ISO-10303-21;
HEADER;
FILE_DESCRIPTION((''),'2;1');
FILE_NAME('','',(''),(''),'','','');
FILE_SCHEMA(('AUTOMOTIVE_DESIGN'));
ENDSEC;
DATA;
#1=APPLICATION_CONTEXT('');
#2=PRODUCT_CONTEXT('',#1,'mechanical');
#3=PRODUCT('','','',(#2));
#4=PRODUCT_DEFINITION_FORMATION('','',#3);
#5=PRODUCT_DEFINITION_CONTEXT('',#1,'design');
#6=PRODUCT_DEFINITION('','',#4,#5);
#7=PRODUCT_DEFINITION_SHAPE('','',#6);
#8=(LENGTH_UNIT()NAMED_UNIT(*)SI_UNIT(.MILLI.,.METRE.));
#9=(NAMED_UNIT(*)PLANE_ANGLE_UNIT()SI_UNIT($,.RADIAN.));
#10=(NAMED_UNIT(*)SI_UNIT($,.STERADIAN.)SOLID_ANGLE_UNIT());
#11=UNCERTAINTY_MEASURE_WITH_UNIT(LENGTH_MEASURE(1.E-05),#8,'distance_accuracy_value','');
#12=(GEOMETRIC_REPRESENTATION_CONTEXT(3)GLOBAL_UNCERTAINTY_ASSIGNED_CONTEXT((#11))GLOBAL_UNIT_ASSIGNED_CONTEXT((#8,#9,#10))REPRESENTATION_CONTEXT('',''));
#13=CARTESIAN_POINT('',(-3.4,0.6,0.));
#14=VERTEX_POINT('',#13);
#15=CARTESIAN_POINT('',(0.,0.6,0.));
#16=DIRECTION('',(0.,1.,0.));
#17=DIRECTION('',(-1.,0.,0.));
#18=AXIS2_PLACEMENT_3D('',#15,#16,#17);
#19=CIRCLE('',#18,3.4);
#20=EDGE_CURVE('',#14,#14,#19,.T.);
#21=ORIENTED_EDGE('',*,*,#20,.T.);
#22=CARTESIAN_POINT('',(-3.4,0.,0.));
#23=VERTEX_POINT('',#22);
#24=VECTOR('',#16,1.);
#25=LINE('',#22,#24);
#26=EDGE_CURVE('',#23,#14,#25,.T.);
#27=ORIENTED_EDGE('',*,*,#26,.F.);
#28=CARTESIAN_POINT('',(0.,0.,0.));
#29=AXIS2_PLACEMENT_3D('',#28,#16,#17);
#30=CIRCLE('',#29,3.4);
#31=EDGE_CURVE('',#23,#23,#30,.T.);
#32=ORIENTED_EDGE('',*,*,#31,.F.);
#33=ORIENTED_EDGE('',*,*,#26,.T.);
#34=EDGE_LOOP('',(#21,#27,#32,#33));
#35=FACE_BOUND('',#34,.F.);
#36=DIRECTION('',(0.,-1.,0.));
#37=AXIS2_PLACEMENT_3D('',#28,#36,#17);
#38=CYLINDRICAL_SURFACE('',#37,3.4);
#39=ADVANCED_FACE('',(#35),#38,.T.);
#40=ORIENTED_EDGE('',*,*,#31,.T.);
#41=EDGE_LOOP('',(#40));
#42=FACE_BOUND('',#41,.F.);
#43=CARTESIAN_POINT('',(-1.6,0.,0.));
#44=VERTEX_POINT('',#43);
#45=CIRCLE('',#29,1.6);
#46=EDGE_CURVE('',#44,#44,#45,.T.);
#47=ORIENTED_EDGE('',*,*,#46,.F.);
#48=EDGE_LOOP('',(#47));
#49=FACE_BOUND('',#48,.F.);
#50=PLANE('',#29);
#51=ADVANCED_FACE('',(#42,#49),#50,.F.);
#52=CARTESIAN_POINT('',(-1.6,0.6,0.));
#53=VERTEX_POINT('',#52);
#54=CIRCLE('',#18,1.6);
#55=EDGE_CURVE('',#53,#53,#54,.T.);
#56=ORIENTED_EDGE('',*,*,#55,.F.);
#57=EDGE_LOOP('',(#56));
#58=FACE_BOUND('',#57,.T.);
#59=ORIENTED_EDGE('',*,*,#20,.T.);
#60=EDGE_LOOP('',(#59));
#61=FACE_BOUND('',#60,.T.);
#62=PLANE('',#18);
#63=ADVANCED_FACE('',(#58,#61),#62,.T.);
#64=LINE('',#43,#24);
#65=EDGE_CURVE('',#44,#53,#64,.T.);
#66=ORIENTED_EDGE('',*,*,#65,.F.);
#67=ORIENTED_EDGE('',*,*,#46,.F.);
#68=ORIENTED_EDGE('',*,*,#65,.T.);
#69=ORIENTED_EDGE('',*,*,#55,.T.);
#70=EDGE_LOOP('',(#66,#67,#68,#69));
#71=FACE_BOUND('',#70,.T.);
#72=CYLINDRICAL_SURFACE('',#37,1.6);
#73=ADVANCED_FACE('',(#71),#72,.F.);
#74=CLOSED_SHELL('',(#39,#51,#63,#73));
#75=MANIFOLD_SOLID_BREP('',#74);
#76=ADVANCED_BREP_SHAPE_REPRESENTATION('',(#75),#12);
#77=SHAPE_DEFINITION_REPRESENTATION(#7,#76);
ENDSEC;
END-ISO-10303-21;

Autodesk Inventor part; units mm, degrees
ref_plane "YZ Plane" through (0, 0, 0) normal (1, 0, 0) x (0, 1, 0)
ref_plane "XZ Plane" through (0, 0, 0) normal (0, 1, 0) x (-1, 0, 0)
ref_plane "XY Plane" through (0, 0, 0) normal (0, 0, 1) x (1, 0, 0)
sketch "Sketch1" plane through (0, 0, 0) normal (0, 1, 0) x (-1, 0, 0)
  circle A0 centre (0, 0) radius 1.6
  circle A1 centre (0, 0) radius 3.4
  dimension "d0" = 3.2
  dimension "d1" = 6.8
extrude "Extrusion1" add sketch "Sketch1" along normal blind 0.6
properties part number "washer3mm" material "Stainless Steel"
